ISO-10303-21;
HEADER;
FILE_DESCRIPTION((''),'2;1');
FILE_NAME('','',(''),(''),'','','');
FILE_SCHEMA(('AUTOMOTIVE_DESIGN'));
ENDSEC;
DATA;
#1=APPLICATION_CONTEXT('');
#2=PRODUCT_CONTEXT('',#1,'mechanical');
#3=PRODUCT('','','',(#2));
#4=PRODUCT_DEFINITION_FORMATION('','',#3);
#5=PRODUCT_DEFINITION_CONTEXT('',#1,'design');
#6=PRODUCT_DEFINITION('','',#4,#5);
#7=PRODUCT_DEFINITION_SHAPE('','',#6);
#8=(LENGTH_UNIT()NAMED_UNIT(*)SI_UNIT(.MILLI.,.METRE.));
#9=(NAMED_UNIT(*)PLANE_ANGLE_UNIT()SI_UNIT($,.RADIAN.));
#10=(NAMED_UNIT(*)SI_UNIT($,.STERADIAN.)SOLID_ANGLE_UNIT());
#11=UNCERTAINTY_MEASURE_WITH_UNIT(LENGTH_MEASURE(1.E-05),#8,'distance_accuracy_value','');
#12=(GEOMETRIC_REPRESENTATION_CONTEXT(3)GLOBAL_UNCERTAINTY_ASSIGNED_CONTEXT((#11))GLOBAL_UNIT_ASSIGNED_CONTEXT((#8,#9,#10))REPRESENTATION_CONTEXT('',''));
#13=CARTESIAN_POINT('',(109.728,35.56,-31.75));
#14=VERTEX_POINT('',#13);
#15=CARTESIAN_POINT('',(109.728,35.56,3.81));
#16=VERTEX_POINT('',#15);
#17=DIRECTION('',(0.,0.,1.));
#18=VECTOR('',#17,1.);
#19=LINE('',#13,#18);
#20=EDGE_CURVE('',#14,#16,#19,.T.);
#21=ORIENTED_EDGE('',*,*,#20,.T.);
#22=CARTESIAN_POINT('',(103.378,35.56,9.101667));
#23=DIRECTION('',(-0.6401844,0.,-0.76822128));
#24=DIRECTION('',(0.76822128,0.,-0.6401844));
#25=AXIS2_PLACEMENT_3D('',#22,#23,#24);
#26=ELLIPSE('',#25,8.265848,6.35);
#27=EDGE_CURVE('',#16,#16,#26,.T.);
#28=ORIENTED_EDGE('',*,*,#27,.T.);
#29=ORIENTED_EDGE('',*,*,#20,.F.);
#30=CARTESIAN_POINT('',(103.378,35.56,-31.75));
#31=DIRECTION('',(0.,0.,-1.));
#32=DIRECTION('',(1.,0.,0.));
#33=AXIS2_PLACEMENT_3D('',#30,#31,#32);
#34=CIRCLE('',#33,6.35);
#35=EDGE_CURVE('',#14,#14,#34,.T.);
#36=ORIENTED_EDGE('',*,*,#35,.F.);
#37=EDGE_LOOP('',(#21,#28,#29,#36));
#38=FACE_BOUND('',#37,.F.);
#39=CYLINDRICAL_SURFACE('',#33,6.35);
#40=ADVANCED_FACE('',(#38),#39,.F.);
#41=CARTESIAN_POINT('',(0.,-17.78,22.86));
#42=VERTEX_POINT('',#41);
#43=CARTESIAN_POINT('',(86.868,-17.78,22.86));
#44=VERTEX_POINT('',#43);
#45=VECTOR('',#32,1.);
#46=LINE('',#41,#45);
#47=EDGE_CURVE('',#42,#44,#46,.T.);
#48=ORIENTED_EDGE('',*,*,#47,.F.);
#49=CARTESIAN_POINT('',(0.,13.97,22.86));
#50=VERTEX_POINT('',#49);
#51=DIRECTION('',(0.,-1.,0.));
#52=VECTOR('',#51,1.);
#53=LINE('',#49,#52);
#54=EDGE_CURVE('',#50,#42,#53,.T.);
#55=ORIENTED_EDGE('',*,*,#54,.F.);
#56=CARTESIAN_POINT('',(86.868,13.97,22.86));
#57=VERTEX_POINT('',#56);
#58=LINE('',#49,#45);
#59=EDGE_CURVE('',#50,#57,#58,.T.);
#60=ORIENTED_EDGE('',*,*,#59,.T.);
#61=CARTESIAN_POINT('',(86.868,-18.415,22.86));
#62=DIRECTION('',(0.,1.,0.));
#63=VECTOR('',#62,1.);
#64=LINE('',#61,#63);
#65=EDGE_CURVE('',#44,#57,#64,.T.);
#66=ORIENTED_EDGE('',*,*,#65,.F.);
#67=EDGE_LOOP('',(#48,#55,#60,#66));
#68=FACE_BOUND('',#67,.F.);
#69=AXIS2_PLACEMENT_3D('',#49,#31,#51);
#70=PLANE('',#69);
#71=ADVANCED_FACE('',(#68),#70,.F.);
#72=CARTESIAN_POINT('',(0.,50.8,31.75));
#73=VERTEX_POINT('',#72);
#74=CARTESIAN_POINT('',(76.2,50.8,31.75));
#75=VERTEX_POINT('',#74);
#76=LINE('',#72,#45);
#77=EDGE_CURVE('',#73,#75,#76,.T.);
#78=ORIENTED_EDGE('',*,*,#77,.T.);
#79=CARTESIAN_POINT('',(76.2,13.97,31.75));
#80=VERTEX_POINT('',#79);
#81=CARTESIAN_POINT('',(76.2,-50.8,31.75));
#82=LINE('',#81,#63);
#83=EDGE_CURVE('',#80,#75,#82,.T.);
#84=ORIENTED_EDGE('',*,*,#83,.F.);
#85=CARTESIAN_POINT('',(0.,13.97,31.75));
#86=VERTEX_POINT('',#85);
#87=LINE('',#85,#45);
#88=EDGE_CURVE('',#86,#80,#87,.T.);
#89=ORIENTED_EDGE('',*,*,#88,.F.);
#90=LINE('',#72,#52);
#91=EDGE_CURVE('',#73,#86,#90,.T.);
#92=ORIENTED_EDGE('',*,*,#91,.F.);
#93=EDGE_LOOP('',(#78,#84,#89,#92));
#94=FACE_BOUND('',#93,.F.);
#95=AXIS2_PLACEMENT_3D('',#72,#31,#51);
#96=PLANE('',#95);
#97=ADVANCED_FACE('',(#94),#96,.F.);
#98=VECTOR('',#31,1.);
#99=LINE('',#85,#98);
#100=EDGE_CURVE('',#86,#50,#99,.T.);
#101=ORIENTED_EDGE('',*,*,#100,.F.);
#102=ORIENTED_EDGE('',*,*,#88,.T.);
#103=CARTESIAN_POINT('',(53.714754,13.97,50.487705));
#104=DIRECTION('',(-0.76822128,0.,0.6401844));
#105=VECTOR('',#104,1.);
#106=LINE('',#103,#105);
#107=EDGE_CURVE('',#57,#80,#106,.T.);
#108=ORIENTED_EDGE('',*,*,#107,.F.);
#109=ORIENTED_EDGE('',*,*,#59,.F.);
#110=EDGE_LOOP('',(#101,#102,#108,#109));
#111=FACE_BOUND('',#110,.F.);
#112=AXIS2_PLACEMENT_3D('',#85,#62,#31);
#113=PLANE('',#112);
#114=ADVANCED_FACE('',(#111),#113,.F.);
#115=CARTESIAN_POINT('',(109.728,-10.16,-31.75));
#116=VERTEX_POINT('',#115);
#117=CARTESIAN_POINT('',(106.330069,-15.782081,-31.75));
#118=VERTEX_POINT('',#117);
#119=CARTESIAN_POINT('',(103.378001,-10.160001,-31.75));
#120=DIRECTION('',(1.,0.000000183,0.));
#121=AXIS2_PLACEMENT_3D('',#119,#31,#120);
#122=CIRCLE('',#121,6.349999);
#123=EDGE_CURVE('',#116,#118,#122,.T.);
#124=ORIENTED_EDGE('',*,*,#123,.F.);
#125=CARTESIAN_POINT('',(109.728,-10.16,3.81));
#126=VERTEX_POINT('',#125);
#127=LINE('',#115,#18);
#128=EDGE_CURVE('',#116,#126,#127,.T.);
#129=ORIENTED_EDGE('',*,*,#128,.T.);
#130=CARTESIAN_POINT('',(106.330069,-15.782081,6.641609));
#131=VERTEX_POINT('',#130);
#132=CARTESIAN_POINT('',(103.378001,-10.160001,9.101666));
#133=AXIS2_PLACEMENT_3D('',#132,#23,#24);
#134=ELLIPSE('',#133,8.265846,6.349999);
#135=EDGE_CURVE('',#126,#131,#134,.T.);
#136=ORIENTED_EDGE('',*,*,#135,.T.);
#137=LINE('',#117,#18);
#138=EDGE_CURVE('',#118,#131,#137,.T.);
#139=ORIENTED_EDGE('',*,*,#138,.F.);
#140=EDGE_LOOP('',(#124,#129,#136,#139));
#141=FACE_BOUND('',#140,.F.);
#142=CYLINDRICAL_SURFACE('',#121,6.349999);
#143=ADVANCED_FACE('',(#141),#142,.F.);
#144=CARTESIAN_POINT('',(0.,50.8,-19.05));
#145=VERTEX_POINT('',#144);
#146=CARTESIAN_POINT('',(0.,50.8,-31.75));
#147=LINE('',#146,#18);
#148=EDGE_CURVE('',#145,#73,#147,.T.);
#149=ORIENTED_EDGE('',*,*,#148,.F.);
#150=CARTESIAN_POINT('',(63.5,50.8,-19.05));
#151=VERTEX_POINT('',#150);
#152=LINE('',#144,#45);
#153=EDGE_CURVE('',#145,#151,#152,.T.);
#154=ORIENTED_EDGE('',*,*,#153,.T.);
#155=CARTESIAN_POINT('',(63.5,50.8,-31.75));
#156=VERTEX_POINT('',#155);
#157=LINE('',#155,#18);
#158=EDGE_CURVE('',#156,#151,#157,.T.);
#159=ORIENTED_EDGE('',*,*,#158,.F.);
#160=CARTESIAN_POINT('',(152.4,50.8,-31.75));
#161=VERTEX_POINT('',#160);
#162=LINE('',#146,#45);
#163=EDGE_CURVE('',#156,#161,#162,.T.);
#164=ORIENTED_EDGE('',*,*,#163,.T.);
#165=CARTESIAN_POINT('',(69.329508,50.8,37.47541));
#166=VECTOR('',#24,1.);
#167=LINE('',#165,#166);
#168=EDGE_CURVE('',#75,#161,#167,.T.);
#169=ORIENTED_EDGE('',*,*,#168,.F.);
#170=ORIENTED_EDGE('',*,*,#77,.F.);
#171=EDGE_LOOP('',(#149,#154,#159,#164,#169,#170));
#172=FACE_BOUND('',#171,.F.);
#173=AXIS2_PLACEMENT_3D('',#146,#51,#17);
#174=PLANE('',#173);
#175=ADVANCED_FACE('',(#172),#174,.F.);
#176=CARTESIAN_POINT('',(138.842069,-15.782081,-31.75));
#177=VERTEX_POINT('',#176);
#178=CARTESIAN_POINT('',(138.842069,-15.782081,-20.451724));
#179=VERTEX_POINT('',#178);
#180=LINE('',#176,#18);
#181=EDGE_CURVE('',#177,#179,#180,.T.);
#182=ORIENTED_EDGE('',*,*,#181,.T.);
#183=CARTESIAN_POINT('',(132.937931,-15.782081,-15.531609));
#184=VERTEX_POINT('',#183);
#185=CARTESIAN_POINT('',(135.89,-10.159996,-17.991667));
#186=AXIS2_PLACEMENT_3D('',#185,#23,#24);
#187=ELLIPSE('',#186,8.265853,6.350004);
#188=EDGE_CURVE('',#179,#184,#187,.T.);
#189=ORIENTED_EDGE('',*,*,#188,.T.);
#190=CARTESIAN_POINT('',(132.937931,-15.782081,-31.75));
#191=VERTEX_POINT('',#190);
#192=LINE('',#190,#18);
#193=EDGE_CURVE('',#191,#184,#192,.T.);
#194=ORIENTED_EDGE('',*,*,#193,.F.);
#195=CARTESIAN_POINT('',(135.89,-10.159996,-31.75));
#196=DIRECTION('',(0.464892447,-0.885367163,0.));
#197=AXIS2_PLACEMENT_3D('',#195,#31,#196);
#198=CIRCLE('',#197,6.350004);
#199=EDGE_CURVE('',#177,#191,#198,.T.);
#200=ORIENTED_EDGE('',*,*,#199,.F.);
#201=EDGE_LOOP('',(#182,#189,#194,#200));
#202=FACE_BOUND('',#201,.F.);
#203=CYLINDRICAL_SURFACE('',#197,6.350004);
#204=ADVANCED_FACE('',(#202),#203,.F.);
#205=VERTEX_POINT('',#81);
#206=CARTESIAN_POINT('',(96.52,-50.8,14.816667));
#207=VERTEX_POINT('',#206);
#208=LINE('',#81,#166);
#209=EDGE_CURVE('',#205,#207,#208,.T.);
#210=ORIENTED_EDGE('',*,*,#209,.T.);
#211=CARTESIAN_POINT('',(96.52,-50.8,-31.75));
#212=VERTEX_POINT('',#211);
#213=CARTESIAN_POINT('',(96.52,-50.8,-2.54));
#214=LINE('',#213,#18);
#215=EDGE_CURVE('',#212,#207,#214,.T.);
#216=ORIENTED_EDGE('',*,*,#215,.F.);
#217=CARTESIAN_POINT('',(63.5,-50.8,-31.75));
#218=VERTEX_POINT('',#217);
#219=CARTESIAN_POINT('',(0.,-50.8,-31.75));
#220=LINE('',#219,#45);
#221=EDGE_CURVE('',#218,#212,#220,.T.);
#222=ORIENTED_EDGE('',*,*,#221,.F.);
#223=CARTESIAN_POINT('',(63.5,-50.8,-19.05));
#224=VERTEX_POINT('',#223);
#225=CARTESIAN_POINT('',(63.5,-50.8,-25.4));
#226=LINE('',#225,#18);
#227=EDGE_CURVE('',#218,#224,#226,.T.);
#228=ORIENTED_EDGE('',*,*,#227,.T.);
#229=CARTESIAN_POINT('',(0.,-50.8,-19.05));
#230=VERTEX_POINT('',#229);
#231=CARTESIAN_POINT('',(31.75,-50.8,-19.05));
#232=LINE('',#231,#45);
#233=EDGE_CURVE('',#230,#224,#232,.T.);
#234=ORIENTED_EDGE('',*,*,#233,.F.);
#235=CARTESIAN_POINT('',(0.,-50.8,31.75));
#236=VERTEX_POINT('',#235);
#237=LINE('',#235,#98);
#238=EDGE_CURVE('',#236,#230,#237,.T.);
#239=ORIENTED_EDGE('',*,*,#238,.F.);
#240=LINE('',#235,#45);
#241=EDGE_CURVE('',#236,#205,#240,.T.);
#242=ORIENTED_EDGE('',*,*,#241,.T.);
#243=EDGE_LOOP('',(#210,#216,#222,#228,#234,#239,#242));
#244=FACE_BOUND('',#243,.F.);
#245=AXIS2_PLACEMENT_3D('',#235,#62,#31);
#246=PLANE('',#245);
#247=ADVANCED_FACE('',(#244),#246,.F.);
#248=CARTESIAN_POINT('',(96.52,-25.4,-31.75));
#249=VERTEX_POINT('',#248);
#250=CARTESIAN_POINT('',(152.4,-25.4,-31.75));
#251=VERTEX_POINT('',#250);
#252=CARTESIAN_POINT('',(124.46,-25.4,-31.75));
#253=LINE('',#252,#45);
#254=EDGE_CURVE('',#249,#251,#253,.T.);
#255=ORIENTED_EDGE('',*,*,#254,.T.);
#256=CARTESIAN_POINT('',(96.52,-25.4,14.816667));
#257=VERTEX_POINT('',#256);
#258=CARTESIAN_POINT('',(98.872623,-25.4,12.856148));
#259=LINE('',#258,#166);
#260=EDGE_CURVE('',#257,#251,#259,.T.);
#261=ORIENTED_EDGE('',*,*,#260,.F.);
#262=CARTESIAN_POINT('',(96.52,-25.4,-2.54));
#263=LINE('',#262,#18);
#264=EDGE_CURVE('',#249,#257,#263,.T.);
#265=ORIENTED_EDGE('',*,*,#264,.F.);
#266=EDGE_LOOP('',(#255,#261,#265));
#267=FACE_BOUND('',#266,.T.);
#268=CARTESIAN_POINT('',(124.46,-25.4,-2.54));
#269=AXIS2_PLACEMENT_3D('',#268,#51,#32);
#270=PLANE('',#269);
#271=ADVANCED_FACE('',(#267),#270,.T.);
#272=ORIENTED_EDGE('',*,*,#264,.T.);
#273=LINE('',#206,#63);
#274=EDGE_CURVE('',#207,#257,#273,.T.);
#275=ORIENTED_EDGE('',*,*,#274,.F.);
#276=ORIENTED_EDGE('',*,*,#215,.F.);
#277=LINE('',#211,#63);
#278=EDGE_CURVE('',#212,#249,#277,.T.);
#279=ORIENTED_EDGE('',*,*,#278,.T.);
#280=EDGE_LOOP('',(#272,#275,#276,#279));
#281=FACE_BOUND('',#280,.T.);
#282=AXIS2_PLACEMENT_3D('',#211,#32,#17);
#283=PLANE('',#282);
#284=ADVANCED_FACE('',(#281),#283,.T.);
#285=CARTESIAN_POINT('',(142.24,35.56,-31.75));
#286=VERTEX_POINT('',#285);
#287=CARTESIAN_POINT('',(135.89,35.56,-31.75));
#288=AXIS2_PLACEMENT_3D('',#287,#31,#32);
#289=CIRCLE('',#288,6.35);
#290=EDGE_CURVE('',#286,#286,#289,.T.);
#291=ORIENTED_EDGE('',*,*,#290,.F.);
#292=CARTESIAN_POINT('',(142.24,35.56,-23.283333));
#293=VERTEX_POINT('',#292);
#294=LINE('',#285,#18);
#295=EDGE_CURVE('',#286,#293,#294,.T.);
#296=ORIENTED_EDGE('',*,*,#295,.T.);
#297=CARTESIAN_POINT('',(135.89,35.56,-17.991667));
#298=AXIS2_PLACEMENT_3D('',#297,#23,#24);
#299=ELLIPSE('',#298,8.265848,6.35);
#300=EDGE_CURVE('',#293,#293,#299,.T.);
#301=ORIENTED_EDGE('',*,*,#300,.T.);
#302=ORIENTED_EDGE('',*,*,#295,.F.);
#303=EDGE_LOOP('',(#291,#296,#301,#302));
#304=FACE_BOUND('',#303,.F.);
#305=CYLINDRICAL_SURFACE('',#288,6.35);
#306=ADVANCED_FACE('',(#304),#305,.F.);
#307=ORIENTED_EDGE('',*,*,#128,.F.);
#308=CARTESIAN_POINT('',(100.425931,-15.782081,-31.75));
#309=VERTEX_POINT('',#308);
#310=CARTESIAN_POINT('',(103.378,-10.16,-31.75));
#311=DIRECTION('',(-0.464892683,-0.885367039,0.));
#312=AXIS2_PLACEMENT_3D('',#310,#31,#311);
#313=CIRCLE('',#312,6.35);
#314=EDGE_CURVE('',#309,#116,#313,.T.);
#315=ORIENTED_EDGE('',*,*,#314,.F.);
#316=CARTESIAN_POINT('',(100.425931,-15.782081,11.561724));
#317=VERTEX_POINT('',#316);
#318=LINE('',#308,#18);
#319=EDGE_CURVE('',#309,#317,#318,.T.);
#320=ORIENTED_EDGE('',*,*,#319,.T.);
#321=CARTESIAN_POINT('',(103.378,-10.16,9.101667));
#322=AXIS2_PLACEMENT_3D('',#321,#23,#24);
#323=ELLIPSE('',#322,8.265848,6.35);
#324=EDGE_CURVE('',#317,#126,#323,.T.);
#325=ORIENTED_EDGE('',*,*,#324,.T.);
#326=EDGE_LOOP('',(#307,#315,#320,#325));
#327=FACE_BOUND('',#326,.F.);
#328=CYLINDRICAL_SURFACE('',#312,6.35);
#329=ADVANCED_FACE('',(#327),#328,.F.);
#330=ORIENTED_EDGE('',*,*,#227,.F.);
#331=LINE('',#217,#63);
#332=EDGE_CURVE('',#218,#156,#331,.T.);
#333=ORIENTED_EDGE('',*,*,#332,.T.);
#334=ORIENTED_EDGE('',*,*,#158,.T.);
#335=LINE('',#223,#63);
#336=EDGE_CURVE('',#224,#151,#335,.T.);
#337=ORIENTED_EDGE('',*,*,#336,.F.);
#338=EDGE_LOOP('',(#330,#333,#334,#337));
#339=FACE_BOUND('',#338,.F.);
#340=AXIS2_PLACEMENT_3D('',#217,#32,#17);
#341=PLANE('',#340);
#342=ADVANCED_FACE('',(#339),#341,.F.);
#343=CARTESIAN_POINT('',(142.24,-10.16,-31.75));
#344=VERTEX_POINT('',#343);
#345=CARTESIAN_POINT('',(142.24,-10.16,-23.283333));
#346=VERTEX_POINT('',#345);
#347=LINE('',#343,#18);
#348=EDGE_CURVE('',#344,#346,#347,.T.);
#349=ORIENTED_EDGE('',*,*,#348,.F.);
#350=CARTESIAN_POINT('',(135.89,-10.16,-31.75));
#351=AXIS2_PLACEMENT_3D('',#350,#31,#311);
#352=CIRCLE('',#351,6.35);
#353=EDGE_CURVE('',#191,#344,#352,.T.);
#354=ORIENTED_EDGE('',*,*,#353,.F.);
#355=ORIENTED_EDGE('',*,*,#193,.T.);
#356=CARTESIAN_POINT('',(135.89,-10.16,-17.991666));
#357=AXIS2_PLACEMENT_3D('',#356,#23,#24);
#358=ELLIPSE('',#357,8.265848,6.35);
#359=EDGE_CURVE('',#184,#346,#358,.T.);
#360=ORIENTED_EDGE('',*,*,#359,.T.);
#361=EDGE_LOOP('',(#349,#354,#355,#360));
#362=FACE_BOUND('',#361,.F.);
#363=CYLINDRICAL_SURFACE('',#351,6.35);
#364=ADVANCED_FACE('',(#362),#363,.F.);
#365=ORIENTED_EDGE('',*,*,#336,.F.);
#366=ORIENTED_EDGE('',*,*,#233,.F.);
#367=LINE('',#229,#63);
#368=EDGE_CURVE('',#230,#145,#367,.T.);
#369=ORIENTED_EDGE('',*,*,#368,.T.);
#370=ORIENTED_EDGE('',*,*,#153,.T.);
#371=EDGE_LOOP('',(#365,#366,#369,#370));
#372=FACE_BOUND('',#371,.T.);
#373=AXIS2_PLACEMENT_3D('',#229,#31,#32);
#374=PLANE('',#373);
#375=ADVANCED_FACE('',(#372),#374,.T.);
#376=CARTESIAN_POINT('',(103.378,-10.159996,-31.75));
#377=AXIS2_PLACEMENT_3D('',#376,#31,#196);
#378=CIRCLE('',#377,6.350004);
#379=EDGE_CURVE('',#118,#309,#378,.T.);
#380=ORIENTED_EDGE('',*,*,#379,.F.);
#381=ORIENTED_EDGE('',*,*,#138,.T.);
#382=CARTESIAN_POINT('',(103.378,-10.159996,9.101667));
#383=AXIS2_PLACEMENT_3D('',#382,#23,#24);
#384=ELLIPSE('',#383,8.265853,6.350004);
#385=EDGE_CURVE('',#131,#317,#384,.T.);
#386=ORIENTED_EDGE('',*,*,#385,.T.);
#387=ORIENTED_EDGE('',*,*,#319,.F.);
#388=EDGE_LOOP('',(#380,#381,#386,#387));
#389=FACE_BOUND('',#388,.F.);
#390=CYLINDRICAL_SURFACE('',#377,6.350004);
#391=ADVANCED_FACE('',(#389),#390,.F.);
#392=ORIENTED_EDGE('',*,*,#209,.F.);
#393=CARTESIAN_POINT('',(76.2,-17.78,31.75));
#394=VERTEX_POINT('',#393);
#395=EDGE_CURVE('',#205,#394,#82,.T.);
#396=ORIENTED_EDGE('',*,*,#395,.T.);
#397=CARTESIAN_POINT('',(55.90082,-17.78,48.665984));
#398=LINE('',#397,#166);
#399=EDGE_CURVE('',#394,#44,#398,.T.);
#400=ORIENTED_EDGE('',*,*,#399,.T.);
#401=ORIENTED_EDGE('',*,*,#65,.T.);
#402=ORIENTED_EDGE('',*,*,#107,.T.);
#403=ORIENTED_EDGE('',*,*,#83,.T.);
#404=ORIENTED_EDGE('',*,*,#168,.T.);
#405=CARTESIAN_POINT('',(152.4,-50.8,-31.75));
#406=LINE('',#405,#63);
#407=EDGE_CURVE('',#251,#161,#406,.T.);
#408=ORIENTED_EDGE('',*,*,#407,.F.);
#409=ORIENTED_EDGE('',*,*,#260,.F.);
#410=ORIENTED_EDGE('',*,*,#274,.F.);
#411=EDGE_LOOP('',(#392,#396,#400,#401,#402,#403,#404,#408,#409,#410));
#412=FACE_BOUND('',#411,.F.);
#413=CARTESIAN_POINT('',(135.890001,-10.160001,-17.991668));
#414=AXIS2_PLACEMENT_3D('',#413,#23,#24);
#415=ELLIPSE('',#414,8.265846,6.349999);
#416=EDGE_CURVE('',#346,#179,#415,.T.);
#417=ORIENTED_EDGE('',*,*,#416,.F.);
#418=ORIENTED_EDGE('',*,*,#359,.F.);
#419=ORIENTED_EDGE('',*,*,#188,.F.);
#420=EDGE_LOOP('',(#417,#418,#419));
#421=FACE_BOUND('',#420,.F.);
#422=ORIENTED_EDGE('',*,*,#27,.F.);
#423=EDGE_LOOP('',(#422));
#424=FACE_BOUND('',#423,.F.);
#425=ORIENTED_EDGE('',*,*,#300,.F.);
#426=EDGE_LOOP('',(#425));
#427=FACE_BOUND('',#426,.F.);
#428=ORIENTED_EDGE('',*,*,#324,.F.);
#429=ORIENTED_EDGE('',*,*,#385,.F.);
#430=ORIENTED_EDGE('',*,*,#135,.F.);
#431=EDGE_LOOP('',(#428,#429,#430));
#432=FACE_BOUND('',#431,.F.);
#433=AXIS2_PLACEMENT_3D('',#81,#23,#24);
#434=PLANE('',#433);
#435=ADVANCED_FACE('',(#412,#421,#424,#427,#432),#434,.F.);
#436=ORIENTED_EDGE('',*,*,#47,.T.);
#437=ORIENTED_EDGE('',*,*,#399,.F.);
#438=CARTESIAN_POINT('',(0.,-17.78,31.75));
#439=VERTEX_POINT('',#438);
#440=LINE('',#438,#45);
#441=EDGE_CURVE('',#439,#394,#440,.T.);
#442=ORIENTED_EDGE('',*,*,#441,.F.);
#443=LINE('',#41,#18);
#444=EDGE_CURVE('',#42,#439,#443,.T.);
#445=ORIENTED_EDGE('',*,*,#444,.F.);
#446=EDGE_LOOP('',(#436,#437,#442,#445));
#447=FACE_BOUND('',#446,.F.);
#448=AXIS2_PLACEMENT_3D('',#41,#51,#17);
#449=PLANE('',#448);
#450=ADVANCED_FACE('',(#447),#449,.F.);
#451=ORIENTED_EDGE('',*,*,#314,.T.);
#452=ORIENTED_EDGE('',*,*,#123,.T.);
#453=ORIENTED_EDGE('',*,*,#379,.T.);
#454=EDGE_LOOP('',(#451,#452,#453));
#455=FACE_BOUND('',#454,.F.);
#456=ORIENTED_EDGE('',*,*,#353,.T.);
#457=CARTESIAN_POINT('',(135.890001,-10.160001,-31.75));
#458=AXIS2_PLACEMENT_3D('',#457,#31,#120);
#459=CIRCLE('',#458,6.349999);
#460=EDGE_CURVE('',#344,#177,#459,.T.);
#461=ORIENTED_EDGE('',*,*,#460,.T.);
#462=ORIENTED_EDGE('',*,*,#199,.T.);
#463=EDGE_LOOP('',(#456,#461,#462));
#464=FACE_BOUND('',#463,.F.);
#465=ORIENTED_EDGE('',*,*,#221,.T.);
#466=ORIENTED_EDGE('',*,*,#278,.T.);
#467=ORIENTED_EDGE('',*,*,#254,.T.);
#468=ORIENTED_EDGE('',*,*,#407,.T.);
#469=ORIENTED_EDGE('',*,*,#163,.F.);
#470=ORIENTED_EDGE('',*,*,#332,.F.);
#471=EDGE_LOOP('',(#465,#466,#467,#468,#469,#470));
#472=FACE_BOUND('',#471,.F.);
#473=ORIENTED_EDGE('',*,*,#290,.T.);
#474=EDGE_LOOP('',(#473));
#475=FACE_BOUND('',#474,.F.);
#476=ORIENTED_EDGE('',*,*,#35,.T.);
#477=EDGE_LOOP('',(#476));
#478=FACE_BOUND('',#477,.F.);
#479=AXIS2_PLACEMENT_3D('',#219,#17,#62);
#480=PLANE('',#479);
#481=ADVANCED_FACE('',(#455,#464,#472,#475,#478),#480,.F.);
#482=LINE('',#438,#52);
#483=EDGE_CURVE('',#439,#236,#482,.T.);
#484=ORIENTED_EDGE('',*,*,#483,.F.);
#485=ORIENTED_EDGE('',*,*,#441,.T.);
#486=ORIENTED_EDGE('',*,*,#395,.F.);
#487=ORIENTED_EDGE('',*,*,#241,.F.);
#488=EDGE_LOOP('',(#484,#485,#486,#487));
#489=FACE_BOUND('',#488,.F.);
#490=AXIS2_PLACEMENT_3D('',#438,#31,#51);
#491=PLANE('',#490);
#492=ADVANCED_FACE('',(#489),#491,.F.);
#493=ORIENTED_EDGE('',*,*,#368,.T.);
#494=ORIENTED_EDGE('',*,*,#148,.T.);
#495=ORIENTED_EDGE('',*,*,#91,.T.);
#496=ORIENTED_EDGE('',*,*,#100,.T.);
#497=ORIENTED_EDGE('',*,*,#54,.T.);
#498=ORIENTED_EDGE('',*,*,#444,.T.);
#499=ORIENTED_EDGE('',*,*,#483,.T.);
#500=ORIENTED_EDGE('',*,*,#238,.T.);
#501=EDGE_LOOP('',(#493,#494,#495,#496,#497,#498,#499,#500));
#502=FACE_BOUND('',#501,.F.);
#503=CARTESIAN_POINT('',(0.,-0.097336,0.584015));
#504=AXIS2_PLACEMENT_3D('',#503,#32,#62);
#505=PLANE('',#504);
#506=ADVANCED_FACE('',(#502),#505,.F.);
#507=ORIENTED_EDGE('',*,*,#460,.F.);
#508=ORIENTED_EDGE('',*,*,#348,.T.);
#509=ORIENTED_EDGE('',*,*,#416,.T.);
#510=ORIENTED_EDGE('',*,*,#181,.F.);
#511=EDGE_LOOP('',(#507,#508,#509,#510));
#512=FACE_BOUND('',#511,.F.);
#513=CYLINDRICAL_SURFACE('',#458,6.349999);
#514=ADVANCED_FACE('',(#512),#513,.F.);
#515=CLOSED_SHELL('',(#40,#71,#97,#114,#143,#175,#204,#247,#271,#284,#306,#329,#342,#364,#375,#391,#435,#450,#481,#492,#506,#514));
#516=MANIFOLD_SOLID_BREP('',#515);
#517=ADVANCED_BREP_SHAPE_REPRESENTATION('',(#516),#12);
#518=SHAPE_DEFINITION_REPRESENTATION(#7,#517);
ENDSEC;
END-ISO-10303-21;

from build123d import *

# Parameters (mm, degrees)
F1_DEPTH = 152.4
F2_W     = 63.5
F2_H     = 12.7
F3_DEPTH = 101.601
F2_W_2   = 55.88
F2_H_2   = 58.42
F4_DEPTH = 25.4
F6_DEPTH = 101.601
F7_R     = 6.35
F8_DEPTH = 63.501


with BuildPart() as f1:
    # F0 (on Right) → F1 (new body)
    with BuildSketch(Plane.YZ):
        Polygon((-17.78, 31.75), (-50.8, 31.75), (-50.8, -31.75), (50.8, -31.75), (50.8, 31.75), (13.97, 31.75), (13.97, 22.86), (-17.78, 22.86), align=None)
    extrude(amount=F1_DEPTH)

    # F2 (on face) → F3 (cut, through all)
    with BuildSketch(Plane.XZ.offset(50.8)):
        with Locations((31.75, -25.4)):
            Rectangle(F2_W, F2_H)
    extrude(amount=-F3_DEPTH, mode=Mode.SUBTRACT)

    # F2 (on face) → F4 (cut)
    with BuildSketch(Plane.XZ.offset(50.8)):
        with Locations((124.46, -2.54)):
            Rectangle(F2_W_2, F2_H_2)
    extrude(amount=-F4_DEPTH, mode=Mode.SUBTRACT)

    # F5 (on face) → F6 (cut, through all)
    with BuildSketch(Plane.XZ.offset(50.8)):
        Polygon((152.4, 26.67), (152.4, 31.75), (76.2, 31.75), (152.4, -31.75), align=None)
    extrude(amount=-F6_DEPTH, mode=Mode.SUBTRACT)

    # F7 (on face) → F8 (cut, through all)
    with BuildSketch(Plane(origin=(0, 0, -31.75), x_dir=(1, 0, 0), z_dir=(0, 0, -1))):
        with BuildLine():
            ThreePointArc((100.425931, 15.782081), (100.093425, 4.725474), (109.728, 10.16))
            ThreePointArc((109.728, 10.16), (108.812526, 13.444575), (106.330069, 15.782081))
            Line((106.330069, 15.782081), (100.425931, 15.782081))
        make_face()
        with BuildLine():
            ThreePointArc((138.842069, 15.782081), (135.89, 16.51), (132.937931, 15.782081))
            Line((132.937931, 15.782081), (138.842069, 15.782081))
        make_face()
        with BuildLine():
            Line((138.842069, 15.782081), (132.937931, 15.782081))
            ThreePointArc((132.937931, 15.782081), (132.605425, 4.725474), (142.24, 10.16))
            ThreePointArc((142.24, 10.16), (141.324526, 13.444575), (138.842069, 15.782081))
        make_face()
        with BuildLine():
            Line((100.425931, 15.782081), (106.330069, 15.782081))
            ThreePointArc((106.330069, 15.782081), (103.378, 16.51), (100.425931, 15.782081))
        make_face()
        with Locations((135.89, -35.56)):
            Circle(F7_R)
        with Locations((103.378, -35.56)):
            Circle(F7_R)
    extrude(amount=-F8_DEPTH, mode=Mode.SUBTRACT)


solid = f1.part
